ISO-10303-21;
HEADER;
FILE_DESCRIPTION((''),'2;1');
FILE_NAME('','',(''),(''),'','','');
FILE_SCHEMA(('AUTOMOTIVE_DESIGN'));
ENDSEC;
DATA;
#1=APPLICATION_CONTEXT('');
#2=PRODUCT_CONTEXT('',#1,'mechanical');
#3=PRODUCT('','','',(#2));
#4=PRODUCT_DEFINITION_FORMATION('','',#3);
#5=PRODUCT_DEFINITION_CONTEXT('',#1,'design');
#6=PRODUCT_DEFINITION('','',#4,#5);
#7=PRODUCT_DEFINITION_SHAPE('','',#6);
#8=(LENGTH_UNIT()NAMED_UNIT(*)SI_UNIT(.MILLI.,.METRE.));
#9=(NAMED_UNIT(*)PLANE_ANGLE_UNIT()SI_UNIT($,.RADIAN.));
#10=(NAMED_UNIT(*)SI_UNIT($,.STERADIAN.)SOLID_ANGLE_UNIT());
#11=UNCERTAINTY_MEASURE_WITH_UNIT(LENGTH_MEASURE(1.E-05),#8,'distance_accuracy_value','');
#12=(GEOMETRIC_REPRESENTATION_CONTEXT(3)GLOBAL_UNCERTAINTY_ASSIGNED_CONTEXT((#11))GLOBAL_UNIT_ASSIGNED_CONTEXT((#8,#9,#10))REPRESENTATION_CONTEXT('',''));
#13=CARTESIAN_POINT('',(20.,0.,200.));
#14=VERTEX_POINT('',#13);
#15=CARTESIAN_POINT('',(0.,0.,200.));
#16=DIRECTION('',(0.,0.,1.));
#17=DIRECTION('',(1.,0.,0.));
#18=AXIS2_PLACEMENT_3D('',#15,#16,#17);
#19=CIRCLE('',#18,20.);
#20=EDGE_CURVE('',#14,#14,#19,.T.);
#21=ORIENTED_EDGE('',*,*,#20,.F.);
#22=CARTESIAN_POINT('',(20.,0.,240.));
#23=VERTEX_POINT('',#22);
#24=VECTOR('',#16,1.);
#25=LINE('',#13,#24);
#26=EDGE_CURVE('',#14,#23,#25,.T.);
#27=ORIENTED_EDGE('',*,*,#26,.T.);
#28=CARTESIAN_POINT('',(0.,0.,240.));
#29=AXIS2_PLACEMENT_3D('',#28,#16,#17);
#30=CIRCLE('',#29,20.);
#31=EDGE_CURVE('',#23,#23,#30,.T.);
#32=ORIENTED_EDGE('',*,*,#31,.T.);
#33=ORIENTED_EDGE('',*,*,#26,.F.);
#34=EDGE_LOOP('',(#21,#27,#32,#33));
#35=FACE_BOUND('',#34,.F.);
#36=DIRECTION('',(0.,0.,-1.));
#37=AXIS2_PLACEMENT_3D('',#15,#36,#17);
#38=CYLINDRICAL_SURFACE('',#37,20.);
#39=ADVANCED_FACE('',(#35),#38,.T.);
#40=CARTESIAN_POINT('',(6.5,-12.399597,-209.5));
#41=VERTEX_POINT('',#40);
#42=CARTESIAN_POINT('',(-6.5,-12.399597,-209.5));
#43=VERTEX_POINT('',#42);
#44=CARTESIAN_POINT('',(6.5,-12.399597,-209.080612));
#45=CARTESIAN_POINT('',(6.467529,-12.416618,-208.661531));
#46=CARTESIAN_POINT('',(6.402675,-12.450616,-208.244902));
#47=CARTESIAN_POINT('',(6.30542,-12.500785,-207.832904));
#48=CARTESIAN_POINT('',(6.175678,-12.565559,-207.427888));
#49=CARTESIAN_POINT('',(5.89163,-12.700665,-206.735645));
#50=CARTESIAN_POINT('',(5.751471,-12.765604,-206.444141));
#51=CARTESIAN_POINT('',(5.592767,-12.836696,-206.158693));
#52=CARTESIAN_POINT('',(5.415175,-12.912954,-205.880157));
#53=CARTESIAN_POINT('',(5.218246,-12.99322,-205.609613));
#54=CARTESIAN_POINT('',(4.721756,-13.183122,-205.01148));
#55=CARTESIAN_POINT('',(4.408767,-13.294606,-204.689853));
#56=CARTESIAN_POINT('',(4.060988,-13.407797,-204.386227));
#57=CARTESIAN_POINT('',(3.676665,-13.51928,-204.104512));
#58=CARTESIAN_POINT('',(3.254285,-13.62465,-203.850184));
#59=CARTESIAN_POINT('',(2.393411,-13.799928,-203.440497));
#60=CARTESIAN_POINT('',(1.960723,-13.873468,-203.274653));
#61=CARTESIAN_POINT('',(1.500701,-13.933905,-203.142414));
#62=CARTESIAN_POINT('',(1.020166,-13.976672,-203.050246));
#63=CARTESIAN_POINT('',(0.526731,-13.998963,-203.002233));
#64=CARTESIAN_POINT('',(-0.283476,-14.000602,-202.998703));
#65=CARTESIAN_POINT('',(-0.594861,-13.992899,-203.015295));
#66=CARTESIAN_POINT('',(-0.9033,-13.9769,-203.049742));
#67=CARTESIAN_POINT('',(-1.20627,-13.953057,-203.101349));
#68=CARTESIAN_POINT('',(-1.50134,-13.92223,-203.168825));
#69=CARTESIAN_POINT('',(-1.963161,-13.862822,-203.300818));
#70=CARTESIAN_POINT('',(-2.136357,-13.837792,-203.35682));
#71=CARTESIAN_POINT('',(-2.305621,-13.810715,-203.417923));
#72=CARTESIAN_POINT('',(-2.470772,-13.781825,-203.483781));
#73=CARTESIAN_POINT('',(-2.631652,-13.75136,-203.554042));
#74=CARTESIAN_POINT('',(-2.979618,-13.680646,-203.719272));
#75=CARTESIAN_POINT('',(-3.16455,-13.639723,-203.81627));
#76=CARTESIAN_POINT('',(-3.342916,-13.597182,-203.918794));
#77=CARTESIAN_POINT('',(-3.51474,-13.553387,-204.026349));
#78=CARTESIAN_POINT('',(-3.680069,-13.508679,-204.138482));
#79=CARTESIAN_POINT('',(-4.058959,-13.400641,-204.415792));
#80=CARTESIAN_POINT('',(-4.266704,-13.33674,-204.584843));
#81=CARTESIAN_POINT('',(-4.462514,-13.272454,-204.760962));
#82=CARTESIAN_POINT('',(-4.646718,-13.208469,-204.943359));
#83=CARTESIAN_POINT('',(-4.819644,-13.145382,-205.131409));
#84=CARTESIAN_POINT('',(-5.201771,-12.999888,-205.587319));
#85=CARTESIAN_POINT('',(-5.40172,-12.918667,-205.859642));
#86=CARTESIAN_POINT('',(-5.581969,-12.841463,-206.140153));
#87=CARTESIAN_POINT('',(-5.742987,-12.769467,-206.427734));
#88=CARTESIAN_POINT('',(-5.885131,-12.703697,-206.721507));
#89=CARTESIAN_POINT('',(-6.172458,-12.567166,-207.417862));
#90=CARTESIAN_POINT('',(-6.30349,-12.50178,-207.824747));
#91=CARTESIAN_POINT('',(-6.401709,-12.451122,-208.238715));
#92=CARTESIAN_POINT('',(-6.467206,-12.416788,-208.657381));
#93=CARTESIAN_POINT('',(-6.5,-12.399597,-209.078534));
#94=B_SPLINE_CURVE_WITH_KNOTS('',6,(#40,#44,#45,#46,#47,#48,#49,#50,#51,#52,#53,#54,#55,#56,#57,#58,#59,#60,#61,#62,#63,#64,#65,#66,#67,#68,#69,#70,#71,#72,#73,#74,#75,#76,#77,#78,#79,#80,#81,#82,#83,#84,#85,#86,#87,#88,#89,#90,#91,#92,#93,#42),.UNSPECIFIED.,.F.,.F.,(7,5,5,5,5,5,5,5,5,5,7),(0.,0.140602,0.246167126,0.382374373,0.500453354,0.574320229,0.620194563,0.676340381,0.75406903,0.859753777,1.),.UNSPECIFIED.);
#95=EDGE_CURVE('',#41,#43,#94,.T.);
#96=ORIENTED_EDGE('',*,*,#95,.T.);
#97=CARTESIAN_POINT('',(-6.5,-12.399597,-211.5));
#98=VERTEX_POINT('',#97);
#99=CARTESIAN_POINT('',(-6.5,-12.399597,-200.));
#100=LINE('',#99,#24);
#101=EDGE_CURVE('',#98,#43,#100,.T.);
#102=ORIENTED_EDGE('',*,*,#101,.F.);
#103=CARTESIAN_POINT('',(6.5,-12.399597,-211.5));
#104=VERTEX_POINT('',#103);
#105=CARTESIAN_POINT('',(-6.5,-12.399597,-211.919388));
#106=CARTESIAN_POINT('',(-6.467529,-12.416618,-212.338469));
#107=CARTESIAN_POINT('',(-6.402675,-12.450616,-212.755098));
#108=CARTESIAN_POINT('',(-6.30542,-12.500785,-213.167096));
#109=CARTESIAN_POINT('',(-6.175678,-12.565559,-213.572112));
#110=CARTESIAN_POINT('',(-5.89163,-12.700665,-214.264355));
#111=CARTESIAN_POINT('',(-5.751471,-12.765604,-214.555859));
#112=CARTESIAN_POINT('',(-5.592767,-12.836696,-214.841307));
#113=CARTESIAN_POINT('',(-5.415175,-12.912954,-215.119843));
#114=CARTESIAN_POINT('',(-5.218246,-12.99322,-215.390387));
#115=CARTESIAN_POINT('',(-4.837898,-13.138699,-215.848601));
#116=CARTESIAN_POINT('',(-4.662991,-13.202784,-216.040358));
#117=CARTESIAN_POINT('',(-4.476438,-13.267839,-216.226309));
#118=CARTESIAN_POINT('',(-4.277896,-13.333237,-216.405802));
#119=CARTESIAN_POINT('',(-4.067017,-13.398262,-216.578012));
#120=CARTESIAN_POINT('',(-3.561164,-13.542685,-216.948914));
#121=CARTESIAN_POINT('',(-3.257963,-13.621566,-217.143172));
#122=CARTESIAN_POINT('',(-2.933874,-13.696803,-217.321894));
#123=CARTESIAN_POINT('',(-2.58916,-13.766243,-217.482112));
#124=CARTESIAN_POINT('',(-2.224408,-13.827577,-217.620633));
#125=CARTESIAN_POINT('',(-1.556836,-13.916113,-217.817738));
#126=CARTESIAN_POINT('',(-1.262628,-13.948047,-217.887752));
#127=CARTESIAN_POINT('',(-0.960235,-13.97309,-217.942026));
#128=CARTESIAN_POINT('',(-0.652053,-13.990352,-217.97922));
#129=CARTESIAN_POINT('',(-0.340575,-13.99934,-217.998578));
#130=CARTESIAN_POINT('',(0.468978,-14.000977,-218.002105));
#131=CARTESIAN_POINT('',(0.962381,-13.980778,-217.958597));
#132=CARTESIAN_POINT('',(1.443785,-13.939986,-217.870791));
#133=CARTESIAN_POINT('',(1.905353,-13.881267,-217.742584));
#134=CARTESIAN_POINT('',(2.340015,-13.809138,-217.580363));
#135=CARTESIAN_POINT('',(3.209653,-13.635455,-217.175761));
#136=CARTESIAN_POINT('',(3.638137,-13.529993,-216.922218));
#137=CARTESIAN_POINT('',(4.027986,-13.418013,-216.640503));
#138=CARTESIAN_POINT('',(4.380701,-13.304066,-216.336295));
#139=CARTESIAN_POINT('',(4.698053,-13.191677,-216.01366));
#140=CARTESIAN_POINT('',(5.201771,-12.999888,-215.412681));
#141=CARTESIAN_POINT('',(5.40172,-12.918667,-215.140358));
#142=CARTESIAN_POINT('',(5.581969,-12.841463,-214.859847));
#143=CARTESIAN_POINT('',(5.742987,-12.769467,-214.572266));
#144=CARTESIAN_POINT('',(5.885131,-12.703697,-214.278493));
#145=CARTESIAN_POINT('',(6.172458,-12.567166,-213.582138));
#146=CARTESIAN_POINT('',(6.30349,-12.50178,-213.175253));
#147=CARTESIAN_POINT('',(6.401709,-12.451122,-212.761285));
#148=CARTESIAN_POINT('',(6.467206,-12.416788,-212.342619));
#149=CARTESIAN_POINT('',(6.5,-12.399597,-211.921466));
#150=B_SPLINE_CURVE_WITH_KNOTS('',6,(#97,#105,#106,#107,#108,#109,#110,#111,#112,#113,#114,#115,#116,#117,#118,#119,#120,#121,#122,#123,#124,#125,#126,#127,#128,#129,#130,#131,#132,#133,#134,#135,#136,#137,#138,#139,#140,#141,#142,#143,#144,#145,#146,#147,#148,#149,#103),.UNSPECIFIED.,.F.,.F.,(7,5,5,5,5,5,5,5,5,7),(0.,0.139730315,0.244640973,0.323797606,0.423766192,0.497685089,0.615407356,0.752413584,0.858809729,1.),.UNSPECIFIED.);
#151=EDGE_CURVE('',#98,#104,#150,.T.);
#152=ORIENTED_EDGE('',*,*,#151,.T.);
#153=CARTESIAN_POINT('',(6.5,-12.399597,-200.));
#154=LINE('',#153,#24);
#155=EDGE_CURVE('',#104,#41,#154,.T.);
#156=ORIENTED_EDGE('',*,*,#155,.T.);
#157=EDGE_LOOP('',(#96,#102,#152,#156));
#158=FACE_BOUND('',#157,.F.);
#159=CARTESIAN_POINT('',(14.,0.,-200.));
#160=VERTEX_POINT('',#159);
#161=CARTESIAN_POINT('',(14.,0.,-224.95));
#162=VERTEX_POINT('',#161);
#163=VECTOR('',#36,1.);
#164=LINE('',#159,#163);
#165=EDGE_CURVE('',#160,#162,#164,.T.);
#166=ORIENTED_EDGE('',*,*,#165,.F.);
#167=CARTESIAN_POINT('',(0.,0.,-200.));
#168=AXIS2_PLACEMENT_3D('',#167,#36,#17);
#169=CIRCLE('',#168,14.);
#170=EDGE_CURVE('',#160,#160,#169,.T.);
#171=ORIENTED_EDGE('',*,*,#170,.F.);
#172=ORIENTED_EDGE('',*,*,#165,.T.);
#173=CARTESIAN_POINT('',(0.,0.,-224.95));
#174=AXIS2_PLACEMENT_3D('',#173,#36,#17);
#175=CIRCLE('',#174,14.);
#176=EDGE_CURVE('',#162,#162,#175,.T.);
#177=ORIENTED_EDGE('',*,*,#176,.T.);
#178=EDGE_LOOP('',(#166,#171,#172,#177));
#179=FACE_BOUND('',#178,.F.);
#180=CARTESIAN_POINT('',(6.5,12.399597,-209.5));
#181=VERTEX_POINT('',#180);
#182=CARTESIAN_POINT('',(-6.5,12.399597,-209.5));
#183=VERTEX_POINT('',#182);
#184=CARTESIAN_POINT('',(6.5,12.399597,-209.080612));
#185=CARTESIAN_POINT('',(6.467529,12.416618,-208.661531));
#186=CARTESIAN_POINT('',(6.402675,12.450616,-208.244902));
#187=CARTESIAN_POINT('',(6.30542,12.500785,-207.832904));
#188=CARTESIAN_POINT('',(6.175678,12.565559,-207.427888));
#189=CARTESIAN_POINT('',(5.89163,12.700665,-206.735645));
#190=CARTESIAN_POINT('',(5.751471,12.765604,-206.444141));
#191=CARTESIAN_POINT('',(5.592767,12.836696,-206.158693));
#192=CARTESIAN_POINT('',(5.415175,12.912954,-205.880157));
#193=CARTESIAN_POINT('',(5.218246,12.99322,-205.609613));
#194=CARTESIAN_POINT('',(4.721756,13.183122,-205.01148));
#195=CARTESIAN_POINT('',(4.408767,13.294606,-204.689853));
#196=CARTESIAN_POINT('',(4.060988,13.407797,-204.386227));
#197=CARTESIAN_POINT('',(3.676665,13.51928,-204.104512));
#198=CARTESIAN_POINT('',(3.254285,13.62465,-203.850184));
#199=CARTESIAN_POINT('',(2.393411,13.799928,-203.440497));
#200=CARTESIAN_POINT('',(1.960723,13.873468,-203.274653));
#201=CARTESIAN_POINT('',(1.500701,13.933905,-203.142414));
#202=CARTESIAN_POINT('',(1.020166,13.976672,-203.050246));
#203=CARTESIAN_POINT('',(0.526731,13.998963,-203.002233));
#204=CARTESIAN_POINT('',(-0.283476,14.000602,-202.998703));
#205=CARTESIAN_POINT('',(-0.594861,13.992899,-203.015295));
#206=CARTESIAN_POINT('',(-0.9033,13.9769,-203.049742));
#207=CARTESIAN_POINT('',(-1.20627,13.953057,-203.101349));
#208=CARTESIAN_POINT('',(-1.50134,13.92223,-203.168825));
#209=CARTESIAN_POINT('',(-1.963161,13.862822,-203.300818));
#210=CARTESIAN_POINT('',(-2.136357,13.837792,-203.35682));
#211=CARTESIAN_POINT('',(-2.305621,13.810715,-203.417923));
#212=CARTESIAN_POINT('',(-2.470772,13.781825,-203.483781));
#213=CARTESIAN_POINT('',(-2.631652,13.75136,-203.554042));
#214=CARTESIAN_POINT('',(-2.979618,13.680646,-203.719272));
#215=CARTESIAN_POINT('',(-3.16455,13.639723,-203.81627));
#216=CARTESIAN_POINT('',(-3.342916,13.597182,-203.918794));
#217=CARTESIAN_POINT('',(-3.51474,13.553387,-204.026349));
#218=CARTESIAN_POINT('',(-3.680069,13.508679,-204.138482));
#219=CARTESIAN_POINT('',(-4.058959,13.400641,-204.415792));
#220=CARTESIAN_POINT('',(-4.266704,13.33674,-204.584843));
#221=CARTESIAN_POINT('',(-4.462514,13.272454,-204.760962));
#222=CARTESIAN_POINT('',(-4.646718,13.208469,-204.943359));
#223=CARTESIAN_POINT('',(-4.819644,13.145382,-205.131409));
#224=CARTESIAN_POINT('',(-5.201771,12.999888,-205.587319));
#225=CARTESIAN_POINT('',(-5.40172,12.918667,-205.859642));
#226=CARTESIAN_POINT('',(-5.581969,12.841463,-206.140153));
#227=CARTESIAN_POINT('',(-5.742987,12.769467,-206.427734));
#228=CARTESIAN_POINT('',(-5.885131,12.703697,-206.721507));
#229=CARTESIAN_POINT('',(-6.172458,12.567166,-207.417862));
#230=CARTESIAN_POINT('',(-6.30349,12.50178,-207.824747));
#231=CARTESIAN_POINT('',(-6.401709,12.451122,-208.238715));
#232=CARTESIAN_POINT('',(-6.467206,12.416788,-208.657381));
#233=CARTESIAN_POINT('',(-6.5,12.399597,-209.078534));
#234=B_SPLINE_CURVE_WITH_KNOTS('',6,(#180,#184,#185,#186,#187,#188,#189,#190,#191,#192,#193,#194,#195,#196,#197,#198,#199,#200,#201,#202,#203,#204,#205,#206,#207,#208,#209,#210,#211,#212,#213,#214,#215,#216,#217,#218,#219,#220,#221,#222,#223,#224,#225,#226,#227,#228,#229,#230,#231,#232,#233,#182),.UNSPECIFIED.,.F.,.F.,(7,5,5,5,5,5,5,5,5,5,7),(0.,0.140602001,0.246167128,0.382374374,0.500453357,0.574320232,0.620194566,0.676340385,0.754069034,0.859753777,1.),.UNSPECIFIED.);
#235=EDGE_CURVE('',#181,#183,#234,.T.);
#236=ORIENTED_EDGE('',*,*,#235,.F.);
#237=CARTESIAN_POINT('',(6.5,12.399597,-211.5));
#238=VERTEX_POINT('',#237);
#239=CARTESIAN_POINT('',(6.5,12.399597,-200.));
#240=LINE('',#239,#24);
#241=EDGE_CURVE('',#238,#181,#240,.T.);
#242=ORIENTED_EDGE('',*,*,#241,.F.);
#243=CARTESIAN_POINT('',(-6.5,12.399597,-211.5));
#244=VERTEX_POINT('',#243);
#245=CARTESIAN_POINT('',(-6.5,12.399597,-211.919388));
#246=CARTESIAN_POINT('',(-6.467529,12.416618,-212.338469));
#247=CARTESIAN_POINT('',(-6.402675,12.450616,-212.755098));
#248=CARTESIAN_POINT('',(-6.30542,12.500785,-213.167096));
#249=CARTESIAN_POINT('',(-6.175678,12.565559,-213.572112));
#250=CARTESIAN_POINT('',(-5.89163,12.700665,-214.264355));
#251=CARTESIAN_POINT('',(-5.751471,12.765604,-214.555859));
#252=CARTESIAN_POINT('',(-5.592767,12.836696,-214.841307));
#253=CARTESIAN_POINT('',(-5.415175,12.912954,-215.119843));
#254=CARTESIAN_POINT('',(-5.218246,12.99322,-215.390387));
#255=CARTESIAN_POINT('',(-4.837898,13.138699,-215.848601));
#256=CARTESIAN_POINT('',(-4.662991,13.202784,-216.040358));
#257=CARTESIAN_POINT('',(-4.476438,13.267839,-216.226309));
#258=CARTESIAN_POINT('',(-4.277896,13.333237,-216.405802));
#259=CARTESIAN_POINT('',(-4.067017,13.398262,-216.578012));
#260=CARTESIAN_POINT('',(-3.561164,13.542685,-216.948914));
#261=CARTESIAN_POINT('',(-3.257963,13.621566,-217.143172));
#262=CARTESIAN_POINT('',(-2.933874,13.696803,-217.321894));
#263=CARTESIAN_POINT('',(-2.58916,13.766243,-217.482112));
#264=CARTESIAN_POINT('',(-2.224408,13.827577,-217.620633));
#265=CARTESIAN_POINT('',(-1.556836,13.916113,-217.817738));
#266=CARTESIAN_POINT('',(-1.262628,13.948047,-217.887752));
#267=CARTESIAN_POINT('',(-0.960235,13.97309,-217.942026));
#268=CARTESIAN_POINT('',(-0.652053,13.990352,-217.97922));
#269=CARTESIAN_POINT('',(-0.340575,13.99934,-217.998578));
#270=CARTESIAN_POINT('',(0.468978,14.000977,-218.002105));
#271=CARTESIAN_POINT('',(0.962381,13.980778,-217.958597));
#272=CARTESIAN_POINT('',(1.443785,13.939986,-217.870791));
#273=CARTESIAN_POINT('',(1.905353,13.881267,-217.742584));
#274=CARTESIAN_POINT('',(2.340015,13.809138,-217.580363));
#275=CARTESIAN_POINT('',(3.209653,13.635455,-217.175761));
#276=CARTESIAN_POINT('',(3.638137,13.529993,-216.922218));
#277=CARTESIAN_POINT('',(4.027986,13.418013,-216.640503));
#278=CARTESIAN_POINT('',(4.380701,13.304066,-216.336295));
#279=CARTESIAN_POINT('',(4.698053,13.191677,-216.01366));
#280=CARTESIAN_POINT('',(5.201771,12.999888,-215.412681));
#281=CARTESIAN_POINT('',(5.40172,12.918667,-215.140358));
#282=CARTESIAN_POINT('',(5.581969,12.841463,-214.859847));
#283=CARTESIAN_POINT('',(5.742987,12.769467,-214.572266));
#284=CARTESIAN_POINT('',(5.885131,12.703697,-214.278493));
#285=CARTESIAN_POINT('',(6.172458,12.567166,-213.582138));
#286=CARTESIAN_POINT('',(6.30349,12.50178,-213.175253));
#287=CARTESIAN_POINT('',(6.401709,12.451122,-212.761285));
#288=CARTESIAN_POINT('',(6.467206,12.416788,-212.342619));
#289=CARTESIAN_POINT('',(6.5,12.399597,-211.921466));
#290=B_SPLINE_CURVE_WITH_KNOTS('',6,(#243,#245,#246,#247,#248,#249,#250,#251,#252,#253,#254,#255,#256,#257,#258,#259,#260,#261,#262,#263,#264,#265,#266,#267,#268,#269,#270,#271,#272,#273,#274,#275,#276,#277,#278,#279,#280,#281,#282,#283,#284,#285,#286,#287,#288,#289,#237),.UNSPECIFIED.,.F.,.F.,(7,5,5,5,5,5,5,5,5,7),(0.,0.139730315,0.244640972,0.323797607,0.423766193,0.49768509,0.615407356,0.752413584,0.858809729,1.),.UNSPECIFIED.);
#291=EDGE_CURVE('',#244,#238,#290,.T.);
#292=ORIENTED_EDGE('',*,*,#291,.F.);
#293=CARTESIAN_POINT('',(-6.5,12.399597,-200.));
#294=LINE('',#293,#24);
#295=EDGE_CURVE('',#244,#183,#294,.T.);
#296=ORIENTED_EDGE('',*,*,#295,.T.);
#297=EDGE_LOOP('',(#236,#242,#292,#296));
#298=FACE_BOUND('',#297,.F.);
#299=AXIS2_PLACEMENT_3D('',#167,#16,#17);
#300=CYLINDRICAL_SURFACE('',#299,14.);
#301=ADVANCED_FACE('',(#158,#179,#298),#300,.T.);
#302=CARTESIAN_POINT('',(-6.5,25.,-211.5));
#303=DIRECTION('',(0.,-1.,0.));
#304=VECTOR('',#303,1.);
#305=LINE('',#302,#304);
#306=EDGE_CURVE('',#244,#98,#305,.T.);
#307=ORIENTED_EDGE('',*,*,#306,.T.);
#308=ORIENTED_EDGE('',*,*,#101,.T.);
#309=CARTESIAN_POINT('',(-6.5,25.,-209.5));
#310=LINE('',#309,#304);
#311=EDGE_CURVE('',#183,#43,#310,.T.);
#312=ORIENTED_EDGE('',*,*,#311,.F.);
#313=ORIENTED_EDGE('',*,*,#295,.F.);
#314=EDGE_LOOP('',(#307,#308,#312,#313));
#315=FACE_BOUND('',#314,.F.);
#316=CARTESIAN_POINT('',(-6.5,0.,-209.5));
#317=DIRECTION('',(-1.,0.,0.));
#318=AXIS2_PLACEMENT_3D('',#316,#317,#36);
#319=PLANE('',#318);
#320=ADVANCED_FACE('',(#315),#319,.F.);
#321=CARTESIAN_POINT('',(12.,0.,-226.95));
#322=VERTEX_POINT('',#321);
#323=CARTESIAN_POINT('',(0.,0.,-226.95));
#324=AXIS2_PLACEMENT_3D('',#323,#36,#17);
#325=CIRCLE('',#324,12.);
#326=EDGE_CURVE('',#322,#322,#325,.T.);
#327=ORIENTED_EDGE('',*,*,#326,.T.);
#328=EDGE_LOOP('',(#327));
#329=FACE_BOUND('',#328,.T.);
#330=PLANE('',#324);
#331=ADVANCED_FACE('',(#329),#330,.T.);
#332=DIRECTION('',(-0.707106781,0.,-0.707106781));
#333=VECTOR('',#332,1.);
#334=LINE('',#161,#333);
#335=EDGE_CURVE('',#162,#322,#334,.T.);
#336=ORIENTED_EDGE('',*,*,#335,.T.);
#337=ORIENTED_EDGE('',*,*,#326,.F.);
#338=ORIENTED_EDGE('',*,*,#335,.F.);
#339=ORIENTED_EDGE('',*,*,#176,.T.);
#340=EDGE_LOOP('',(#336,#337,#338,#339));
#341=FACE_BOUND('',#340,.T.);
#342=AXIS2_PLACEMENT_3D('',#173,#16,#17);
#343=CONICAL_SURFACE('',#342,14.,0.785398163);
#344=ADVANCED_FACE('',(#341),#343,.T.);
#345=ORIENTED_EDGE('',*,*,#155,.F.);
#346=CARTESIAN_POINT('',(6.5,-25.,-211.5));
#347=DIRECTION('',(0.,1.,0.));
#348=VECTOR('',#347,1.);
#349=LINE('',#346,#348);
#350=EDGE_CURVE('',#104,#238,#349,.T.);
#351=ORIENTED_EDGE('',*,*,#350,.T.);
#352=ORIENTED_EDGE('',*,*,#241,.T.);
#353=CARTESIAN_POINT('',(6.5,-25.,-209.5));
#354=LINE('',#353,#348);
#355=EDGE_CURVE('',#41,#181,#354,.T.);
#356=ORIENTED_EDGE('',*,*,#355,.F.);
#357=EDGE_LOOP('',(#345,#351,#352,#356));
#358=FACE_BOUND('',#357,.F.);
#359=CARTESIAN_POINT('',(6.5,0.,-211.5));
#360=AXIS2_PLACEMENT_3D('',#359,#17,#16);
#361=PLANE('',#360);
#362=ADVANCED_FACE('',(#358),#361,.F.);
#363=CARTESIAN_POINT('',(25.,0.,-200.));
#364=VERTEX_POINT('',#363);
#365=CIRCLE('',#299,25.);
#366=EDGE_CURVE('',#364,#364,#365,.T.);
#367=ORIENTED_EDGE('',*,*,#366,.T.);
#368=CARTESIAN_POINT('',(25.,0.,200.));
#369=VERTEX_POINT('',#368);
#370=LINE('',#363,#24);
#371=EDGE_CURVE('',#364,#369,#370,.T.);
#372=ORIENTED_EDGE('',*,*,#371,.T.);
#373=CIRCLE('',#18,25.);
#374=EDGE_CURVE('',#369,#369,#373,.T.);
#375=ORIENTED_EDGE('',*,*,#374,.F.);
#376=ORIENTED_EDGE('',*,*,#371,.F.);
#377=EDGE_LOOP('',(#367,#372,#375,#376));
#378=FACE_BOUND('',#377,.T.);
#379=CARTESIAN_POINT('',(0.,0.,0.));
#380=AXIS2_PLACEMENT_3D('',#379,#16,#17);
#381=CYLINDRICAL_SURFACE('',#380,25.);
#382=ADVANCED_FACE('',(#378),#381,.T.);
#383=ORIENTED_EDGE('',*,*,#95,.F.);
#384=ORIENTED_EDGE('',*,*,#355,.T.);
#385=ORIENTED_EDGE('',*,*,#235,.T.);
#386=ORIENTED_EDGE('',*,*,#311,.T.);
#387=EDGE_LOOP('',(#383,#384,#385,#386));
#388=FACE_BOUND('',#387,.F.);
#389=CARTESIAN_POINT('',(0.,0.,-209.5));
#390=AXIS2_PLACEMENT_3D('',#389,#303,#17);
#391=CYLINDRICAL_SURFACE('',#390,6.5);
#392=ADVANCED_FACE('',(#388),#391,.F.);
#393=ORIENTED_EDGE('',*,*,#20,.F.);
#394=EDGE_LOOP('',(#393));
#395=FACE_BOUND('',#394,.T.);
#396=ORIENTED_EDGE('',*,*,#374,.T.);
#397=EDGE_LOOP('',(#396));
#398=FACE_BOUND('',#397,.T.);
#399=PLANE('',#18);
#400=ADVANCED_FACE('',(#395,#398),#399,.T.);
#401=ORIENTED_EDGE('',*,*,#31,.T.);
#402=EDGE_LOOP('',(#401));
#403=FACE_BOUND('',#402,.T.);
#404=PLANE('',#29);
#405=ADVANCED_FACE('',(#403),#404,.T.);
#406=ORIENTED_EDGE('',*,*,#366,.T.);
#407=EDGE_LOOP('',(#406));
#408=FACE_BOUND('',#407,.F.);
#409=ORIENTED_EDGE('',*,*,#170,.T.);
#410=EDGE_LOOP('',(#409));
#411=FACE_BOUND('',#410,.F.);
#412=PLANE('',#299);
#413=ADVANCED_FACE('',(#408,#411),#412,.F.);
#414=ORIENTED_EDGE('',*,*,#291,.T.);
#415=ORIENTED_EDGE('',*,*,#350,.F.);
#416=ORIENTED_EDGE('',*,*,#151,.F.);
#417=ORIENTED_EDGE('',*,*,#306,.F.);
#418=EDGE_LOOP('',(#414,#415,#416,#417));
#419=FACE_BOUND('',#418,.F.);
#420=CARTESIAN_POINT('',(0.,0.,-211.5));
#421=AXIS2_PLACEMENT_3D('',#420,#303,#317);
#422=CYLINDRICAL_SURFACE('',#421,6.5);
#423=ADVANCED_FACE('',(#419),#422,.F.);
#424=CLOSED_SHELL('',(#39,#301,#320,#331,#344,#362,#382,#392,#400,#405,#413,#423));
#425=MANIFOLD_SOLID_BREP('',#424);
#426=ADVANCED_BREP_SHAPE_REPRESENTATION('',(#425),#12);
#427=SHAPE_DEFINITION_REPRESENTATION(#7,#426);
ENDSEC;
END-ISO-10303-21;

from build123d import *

# Parameters (mm, degrees)
F0_R     = 25
F1_DEPTH = 200
F2_R     = 20
F3_DEPTH = 40
F4_R     = 14
F5_DEPTH = 26.95
F7_DEPTH = 25
F8_SIZE  = 2


with BuildPart() as f1:
    # F0 (on Top) → F1 (new body, symmetric)
    with BuildSketch(Plane.XY):
        Circle(F0_R)
    extrude(amount=F1_DEPTH, both=True)

    # F2 (on face) → F3 (join)
    with BuildSketch(Plane.XY.offset(200)):
        Circle(F2_R)
    extrude(amount=F3_DEPTH)

    # F4 (on face) → F5 (join)
    with BuildSketch(Plane(origin=(0, 0, -200), x_dir=(1, 0, 0), z_dir=(0, 0, -1))):
        Circle(F4_R)
    extrude(amount=F5_DEPTH)

    # F6 (on Front) → F7 (cut, symmetric)
    with BuildSketch(Plane.XZ):
        with BuildLine():
            ThreePointArc((6.5, -209.5), (0, -203), (-6.5, -209.5))
            Line((-6.5, -209.5), (-6.5, -211.5))
            ThreePointArc((-6.5, -211.5), (0, -218), (6.5, -211.5))
            Line((6.5, -211.5), (6.5, -209.5))
        make_face()
    extrude(amount=F7_DEPTH, both=True, mode=Mode.SUBTRACT)

    # F8
    f8_edges = [f1.edges().sort_by_distance(p)[0] for p in [
        (-14, 0, -226.95),
    ]]
    chamfer(f8_edges, length=F8_SIZE)


solid = f1.part
